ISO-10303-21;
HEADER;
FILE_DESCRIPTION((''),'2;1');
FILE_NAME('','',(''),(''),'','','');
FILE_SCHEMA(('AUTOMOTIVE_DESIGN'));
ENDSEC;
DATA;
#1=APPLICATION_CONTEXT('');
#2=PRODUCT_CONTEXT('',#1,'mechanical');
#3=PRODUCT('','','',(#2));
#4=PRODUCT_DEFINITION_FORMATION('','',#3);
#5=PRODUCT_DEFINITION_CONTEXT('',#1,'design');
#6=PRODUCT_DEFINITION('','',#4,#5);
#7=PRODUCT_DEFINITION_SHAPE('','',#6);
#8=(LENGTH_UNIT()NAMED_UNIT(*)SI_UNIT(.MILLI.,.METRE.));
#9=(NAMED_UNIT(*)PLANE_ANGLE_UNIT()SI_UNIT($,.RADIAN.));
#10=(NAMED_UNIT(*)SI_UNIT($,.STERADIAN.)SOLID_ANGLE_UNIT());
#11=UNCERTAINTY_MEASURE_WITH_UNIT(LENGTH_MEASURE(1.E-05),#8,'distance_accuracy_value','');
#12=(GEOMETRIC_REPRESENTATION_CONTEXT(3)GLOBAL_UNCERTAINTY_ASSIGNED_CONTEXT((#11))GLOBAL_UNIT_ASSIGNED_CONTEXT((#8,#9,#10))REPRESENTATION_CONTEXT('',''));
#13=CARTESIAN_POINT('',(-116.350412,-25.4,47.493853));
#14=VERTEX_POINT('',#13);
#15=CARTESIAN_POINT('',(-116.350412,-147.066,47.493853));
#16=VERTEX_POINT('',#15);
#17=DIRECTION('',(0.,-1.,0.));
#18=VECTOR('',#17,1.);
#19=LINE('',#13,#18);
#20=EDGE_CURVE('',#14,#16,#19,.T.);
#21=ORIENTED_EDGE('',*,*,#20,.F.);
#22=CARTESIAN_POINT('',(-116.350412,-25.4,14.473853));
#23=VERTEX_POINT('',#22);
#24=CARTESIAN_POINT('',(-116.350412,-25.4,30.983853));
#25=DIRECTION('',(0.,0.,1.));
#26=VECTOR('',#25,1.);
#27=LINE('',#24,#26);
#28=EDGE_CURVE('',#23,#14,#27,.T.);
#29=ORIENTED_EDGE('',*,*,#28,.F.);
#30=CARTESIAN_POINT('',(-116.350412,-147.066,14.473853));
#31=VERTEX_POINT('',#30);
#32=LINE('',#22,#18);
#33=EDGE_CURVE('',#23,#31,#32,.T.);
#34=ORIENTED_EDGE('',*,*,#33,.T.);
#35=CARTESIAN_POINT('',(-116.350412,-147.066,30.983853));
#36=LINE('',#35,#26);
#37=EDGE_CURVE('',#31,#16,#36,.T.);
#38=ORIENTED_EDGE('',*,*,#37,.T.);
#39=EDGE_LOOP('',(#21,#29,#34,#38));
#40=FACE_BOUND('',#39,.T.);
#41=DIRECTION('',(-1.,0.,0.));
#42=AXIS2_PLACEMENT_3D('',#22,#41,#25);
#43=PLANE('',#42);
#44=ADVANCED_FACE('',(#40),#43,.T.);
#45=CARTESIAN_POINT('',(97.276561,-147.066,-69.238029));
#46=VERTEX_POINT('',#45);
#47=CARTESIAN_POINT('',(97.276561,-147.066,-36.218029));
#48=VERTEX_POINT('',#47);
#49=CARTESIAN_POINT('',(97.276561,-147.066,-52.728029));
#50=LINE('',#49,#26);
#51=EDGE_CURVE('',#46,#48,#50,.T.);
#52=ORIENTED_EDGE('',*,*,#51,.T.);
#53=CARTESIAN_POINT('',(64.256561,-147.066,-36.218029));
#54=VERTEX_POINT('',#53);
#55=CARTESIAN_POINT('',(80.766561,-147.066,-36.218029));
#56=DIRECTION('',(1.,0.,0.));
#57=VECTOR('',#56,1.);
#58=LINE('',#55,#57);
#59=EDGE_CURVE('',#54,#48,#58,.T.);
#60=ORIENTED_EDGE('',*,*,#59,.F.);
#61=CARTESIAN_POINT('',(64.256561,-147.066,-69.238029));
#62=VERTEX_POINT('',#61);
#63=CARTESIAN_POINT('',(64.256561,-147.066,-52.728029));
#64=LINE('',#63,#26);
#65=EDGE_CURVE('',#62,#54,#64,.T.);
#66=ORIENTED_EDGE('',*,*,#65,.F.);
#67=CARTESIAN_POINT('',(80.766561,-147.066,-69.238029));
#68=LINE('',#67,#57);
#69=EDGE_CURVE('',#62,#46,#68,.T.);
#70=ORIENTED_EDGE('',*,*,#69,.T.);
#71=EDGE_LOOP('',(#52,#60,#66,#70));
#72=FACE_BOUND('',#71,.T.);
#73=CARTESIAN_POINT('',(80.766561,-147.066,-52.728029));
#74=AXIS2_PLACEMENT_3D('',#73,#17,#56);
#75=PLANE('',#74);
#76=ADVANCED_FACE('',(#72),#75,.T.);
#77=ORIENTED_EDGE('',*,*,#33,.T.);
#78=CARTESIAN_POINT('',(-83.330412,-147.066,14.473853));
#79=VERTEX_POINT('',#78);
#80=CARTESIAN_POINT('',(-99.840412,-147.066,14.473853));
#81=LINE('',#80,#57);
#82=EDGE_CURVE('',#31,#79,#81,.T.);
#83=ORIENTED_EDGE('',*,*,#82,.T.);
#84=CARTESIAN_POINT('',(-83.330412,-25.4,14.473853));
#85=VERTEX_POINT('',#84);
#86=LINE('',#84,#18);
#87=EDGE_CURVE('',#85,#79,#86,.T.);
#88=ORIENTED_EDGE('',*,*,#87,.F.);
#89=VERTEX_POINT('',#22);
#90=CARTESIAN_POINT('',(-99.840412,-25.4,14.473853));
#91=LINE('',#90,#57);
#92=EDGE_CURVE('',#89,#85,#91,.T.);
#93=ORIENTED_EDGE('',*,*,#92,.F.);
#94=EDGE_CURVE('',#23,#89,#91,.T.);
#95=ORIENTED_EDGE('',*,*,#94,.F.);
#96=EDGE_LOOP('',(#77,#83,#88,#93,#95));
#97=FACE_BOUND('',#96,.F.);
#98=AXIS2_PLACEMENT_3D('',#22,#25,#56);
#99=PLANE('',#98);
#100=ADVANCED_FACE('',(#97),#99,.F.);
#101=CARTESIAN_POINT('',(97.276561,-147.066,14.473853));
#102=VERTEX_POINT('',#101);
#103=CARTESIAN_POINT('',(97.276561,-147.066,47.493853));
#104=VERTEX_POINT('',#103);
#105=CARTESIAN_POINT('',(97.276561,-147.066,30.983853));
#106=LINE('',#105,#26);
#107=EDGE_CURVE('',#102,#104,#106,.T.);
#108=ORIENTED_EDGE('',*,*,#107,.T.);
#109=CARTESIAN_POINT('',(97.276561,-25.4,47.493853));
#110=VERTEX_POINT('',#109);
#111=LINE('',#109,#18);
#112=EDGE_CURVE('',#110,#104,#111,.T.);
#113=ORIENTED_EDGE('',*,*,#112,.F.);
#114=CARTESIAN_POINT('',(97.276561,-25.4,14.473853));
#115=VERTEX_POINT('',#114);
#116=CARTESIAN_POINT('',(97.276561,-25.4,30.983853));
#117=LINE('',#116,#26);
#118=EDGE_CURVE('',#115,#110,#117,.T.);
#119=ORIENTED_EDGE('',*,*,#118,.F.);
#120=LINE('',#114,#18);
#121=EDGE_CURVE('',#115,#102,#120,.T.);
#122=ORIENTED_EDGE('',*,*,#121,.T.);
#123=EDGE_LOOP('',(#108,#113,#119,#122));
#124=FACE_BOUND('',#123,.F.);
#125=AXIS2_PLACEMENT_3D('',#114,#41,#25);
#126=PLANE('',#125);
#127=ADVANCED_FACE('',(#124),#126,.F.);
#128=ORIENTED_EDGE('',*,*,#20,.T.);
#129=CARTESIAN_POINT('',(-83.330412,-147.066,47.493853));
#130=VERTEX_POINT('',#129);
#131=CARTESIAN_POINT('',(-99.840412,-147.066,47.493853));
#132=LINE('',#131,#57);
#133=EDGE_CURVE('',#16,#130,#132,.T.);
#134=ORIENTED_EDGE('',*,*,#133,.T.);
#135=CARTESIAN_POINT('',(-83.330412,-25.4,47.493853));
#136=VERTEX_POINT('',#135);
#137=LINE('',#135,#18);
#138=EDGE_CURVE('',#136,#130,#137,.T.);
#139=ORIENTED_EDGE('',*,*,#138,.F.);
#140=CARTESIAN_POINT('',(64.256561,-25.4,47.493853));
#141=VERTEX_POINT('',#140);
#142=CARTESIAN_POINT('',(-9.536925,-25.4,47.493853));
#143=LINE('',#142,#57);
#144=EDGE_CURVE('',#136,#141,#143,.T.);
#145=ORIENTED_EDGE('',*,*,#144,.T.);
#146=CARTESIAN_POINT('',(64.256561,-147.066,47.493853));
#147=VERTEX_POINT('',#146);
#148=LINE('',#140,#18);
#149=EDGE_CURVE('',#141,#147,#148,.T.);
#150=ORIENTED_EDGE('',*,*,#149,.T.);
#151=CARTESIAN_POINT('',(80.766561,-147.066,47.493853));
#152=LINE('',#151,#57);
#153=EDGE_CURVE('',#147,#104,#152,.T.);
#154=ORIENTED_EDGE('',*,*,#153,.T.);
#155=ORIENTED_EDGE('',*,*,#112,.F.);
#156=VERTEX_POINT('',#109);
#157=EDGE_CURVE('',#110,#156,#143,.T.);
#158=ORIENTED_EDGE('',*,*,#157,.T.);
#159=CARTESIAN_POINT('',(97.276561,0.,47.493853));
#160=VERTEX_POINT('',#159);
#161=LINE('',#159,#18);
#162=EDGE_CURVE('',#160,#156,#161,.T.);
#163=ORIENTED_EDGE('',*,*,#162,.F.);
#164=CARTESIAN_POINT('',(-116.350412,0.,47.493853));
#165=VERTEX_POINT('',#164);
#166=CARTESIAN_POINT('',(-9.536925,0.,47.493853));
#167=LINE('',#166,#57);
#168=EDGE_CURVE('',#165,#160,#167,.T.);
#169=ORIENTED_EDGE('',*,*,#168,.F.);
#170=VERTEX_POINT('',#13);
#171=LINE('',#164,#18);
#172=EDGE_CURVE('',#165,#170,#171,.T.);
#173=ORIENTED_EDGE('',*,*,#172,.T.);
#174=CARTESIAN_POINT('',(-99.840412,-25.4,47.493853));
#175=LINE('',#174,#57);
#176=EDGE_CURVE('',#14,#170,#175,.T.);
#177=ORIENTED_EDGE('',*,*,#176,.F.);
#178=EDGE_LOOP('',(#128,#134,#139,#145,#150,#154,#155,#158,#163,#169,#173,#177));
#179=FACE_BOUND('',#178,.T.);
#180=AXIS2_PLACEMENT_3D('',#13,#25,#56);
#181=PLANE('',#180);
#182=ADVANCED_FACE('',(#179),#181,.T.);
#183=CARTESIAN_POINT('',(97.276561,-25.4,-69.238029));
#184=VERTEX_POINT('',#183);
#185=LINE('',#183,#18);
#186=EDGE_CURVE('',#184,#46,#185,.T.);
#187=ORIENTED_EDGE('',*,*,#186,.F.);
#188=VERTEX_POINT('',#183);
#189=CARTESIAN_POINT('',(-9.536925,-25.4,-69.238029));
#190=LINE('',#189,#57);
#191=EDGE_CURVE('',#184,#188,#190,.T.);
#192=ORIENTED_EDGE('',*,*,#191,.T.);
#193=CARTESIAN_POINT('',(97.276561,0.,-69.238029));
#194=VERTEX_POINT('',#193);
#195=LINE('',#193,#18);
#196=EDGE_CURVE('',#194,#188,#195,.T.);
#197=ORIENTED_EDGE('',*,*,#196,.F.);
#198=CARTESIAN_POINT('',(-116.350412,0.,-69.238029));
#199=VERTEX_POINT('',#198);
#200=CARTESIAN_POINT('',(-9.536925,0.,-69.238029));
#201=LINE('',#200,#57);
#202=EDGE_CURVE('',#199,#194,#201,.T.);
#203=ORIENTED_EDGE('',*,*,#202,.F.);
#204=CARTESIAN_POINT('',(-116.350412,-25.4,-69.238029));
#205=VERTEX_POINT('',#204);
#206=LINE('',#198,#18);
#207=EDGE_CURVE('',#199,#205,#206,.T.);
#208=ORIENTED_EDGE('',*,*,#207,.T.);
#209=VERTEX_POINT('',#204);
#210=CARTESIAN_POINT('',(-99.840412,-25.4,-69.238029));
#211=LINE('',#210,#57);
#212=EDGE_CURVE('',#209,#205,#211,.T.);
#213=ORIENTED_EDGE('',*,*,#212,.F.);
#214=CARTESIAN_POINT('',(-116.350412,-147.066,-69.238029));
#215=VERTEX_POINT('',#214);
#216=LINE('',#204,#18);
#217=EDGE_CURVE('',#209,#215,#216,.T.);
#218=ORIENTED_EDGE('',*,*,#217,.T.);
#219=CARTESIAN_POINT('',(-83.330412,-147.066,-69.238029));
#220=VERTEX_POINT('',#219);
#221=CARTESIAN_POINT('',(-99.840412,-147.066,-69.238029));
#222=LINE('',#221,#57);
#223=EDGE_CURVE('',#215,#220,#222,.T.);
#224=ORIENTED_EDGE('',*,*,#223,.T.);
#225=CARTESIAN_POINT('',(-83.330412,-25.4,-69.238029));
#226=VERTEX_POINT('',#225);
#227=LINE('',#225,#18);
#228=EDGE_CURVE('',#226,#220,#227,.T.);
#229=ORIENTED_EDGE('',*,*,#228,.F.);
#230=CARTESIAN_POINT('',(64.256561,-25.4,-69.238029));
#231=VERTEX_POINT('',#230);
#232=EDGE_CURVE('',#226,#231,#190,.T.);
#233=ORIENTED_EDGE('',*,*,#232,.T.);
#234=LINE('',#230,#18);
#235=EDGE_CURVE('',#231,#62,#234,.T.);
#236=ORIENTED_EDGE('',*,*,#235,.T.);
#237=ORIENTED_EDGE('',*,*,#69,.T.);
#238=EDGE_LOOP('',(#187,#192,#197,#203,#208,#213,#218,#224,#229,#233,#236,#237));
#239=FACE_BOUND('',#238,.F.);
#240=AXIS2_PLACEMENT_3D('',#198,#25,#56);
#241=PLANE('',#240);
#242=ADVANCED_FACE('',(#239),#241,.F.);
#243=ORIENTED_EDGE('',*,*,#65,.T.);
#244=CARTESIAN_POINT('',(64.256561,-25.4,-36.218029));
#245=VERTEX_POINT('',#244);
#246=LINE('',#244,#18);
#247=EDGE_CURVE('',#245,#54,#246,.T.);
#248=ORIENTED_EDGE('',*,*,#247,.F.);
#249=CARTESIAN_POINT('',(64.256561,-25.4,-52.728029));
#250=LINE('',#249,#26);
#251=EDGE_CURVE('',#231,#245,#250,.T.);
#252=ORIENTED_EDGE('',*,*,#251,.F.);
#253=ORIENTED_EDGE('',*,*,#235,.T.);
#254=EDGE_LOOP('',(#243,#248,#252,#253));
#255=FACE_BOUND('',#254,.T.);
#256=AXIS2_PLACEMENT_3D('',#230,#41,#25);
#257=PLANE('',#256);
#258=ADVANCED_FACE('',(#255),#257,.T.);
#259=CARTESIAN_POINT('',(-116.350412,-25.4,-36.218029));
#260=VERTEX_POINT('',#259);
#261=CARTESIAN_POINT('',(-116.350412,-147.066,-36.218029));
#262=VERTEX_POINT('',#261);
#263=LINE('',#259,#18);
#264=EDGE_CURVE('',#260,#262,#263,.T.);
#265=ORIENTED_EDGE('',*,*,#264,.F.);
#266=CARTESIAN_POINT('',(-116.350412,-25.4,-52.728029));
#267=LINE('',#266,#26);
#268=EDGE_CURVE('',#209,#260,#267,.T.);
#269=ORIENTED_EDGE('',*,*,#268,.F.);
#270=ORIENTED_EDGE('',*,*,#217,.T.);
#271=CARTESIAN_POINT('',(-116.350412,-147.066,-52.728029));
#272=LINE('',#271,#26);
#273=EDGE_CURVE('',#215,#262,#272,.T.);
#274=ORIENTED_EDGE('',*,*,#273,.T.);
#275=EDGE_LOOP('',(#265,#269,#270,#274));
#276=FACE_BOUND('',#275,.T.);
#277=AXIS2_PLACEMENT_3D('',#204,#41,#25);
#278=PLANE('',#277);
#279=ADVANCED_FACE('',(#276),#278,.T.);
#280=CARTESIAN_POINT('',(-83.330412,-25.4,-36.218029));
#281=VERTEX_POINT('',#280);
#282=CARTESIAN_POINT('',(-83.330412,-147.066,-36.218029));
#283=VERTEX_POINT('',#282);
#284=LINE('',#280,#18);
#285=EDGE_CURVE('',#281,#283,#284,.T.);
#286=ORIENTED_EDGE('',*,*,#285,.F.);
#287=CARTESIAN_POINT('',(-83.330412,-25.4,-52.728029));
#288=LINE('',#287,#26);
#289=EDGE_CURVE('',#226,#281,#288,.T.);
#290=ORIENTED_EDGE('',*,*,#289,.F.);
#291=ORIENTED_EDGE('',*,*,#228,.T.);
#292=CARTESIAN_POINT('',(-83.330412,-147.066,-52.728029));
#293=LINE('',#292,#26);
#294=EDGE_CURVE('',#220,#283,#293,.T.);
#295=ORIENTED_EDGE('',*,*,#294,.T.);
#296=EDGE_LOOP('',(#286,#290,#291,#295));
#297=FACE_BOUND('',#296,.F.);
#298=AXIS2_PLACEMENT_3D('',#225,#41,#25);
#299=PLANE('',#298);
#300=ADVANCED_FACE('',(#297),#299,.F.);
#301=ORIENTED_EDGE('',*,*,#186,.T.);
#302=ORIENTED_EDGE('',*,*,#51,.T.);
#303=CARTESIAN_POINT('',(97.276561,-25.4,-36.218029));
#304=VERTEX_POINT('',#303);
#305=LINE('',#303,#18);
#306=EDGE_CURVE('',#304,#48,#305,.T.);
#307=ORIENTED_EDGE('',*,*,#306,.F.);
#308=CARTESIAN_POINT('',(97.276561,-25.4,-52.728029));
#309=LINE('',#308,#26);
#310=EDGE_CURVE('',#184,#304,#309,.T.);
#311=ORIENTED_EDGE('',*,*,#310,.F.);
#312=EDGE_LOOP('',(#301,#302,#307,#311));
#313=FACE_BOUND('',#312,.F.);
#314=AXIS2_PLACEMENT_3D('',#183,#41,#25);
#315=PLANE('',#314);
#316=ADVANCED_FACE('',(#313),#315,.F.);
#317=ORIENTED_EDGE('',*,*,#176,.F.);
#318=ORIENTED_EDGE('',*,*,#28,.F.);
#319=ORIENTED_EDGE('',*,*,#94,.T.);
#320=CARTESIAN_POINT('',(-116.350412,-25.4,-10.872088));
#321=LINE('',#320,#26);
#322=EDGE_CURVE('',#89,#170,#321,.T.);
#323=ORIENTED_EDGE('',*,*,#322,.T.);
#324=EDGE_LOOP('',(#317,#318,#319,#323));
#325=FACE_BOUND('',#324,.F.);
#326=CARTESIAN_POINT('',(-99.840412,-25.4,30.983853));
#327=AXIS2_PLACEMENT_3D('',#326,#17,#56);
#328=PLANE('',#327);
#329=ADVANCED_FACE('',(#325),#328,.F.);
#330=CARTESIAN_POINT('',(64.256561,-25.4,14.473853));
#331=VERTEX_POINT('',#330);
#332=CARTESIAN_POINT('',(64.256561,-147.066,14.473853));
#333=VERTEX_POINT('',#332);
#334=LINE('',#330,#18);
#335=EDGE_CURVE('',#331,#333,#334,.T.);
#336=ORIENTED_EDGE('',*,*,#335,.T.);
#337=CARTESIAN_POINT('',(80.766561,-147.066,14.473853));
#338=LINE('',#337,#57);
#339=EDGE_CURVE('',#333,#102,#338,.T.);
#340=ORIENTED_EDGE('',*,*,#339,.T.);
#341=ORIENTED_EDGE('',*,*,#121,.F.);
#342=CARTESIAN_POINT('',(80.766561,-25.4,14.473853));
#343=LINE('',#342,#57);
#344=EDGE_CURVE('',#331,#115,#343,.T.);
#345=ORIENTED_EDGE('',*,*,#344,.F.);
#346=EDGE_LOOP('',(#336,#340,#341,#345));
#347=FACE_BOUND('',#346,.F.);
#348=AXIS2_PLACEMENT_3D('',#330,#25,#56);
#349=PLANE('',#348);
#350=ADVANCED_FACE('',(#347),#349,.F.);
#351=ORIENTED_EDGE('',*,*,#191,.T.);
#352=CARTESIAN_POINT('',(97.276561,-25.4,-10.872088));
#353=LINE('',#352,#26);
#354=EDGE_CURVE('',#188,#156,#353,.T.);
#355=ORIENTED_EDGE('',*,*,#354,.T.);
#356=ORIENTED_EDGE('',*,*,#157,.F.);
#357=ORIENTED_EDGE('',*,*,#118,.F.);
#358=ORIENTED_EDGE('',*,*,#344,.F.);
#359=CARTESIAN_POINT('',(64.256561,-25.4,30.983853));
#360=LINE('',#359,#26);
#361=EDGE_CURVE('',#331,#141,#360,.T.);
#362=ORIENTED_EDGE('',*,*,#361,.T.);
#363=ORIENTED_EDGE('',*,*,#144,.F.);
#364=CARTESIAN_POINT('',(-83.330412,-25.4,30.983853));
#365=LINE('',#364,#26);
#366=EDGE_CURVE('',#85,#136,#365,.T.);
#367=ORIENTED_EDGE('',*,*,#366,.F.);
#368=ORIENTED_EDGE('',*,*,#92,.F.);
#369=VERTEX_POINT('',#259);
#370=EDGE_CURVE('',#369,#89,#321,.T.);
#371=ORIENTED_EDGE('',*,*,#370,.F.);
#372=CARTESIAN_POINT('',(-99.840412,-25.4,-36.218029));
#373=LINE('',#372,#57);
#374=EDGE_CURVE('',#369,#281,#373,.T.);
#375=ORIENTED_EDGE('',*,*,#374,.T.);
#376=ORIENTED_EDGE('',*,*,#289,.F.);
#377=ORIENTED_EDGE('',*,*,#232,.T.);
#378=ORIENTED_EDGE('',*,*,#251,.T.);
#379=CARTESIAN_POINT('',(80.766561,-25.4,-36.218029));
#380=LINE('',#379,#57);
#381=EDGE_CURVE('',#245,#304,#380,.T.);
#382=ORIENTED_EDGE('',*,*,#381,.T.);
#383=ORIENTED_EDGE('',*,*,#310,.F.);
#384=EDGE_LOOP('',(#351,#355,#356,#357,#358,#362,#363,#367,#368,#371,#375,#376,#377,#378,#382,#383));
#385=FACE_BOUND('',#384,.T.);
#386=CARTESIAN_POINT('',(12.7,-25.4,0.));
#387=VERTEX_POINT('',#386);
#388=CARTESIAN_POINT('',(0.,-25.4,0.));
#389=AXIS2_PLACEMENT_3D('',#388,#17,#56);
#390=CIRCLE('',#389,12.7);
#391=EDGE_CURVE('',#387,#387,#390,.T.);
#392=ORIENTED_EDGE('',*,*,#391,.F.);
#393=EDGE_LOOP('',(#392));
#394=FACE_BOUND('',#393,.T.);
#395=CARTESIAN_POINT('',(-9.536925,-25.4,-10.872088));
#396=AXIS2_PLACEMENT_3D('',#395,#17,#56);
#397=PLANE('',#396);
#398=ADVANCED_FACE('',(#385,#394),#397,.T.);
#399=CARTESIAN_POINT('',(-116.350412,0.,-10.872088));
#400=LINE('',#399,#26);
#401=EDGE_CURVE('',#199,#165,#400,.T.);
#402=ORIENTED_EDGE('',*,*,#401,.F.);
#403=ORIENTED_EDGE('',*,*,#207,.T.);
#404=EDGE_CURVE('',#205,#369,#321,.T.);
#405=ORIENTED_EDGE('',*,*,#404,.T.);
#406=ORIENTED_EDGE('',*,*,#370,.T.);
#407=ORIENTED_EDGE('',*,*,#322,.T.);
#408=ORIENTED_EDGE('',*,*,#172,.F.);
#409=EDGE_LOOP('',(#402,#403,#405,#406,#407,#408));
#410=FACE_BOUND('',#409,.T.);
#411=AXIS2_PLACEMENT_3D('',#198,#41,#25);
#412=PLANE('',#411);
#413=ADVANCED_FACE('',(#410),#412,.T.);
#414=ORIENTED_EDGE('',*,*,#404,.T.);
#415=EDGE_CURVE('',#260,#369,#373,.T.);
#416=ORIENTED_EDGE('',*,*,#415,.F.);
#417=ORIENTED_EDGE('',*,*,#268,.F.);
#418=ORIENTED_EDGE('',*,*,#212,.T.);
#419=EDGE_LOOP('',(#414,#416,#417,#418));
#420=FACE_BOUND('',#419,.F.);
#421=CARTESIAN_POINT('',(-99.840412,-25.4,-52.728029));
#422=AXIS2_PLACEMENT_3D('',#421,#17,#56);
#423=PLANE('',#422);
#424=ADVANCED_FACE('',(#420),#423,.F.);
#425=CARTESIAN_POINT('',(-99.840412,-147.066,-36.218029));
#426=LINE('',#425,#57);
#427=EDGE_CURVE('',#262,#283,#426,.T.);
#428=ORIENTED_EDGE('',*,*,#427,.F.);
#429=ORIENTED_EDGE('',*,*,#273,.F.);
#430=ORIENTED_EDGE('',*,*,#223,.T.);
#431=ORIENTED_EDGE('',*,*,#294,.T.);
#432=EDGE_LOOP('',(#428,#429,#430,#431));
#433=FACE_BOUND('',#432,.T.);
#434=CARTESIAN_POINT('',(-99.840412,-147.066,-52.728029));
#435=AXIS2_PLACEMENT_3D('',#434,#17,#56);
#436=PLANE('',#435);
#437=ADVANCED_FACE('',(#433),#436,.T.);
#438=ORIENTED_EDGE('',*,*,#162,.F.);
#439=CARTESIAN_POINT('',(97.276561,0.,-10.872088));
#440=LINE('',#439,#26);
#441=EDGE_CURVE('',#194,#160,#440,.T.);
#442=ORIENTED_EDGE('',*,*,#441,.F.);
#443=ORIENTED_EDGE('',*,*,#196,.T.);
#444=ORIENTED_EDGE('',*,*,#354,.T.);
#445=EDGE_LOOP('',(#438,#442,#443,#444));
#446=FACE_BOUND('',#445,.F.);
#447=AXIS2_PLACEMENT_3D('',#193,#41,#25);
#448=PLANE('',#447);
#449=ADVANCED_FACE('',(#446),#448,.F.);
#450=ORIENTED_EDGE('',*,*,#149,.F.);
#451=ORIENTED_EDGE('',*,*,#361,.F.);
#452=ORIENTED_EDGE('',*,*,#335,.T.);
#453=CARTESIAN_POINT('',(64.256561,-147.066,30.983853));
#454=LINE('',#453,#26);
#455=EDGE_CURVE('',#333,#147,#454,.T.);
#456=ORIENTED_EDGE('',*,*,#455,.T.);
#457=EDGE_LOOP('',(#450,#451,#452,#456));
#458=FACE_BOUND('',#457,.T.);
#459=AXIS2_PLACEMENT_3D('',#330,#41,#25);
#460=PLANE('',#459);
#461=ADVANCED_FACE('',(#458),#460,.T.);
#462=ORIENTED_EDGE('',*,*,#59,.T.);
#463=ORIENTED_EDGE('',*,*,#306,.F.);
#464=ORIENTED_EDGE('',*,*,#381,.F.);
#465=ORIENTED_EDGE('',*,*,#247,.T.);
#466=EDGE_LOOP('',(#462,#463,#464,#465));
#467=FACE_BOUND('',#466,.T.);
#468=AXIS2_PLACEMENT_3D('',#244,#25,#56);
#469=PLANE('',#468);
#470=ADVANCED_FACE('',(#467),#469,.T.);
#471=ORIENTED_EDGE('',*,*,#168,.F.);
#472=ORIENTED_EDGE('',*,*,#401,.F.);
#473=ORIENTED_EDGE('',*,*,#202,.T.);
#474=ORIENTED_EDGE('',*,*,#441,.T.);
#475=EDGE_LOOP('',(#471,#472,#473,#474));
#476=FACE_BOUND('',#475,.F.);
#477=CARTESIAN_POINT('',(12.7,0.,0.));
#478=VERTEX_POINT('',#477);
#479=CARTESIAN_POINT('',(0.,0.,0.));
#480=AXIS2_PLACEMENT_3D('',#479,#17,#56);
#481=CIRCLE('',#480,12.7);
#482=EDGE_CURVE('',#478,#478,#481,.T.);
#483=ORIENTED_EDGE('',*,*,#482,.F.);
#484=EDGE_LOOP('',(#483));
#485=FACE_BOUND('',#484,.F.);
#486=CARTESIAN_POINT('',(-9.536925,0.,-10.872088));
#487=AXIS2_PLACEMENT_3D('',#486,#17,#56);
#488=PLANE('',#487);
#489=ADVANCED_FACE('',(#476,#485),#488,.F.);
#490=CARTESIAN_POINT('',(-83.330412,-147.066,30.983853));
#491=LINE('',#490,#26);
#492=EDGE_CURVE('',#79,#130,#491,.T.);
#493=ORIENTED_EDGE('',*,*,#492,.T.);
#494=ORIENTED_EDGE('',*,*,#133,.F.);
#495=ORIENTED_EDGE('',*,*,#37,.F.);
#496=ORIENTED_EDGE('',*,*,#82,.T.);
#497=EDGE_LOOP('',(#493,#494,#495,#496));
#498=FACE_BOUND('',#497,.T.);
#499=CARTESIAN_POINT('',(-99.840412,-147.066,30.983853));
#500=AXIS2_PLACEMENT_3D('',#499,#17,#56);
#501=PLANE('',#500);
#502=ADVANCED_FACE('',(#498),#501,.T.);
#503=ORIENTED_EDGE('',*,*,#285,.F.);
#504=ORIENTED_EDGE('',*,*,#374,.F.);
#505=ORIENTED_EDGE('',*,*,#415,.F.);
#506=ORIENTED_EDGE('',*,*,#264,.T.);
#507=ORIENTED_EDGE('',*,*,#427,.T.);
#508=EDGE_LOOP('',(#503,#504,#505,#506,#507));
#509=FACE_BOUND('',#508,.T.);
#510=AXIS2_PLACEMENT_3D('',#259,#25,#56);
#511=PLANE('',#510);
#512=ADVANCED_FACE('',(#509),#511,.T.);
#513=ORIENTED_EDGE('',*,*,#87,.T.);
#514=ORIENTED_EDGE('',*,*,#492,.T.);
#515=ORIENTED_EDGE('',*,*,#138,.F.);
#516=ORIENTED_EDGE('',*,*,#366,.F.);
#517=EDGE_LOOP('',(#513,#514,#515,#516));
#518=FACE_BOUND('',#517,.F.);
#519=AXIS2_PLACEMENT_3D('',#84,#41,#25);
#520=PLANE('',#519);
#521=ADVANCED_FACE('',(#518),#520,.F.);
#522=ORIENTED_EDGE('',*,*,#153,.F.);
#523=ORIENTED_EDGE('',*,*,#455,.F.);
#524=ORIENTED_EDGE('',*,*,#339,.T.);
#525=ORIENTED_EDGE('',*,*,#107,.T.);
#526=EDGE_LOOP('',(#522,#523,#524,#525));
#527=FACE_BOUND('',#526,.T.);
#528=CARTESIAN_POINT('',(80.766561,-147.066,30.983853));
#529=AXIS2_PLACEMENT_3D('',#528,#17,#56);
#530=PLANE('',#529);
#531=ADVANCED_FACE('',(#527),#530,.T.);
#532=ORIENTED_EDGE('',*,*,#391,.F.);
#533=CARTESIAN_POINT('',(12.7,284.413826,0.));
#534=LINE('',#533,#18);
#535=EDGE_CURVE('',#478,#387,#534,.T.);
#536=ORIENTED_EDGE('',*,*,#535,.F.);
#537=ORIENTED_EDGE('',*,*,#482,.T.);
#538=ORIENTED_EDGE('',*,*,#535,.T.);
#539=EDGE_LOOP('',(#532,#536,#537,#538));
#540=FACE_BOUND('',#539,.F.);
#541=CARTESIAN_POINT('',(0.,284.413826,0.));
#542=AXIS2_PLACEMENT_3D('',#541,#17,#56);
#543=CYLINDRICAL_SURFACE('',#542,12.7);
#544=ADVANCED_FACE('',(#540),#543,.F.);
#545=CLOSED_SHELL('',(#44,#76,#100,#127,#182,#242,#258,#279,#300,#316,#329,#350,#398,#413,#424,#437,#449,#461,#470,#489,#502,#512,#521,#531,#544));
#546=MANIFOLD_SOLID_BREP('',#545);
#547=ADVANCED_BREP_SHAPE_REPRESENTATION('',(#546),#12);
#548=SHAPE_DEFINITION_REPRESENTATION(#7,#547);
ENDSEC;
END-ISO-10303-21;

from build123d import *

# Parameters (mm, degrees)
F0_W     = 213.626973
F0_H     = 116.731882
F1_DEPTH = 25.4
F2_W     = 33.02
F2_H     = 33.02
F3_DEPTH = 121.666
F5_D     = 25.4


with BuildPart() as f1:
    # F0 (on Front) → F1 (new body)
    with BuildSketch(Plane.XZ):
        with Locations((-9.536925, -10.872088)):
            Rectangle(F0_W, F0_H)
    extrude(amount=F1_DEPTH)

    # F2 (on face) → F3 (join)
    with BuildSketch(Plane.XZ.offset(25.4)):
        with Locations((-99.840412, 30.983853)):
            Rectangle(F2_W, F2_H)
        with Locations((80.766561, 30.983853)):
            Rectangle(F2_W, F2_H)
        with Locations((80.766561, -52.728029)):
            Rectangle(F2_W, F2_H)
        with Locations((-99.840412, -52.728029)):
            Rectangle(F2_W, F2_H)
    extrude(amount=F3_DEPTH)

    # F5 (through all)
    with Locations(Plane(origin=(0, 0, 0), x_dir=(-1, 0, 0), z_dir=(0, 1, 0))):
        with Locations((0, 0)):
            Hole(F5_D / 2)


solid = f1.part
